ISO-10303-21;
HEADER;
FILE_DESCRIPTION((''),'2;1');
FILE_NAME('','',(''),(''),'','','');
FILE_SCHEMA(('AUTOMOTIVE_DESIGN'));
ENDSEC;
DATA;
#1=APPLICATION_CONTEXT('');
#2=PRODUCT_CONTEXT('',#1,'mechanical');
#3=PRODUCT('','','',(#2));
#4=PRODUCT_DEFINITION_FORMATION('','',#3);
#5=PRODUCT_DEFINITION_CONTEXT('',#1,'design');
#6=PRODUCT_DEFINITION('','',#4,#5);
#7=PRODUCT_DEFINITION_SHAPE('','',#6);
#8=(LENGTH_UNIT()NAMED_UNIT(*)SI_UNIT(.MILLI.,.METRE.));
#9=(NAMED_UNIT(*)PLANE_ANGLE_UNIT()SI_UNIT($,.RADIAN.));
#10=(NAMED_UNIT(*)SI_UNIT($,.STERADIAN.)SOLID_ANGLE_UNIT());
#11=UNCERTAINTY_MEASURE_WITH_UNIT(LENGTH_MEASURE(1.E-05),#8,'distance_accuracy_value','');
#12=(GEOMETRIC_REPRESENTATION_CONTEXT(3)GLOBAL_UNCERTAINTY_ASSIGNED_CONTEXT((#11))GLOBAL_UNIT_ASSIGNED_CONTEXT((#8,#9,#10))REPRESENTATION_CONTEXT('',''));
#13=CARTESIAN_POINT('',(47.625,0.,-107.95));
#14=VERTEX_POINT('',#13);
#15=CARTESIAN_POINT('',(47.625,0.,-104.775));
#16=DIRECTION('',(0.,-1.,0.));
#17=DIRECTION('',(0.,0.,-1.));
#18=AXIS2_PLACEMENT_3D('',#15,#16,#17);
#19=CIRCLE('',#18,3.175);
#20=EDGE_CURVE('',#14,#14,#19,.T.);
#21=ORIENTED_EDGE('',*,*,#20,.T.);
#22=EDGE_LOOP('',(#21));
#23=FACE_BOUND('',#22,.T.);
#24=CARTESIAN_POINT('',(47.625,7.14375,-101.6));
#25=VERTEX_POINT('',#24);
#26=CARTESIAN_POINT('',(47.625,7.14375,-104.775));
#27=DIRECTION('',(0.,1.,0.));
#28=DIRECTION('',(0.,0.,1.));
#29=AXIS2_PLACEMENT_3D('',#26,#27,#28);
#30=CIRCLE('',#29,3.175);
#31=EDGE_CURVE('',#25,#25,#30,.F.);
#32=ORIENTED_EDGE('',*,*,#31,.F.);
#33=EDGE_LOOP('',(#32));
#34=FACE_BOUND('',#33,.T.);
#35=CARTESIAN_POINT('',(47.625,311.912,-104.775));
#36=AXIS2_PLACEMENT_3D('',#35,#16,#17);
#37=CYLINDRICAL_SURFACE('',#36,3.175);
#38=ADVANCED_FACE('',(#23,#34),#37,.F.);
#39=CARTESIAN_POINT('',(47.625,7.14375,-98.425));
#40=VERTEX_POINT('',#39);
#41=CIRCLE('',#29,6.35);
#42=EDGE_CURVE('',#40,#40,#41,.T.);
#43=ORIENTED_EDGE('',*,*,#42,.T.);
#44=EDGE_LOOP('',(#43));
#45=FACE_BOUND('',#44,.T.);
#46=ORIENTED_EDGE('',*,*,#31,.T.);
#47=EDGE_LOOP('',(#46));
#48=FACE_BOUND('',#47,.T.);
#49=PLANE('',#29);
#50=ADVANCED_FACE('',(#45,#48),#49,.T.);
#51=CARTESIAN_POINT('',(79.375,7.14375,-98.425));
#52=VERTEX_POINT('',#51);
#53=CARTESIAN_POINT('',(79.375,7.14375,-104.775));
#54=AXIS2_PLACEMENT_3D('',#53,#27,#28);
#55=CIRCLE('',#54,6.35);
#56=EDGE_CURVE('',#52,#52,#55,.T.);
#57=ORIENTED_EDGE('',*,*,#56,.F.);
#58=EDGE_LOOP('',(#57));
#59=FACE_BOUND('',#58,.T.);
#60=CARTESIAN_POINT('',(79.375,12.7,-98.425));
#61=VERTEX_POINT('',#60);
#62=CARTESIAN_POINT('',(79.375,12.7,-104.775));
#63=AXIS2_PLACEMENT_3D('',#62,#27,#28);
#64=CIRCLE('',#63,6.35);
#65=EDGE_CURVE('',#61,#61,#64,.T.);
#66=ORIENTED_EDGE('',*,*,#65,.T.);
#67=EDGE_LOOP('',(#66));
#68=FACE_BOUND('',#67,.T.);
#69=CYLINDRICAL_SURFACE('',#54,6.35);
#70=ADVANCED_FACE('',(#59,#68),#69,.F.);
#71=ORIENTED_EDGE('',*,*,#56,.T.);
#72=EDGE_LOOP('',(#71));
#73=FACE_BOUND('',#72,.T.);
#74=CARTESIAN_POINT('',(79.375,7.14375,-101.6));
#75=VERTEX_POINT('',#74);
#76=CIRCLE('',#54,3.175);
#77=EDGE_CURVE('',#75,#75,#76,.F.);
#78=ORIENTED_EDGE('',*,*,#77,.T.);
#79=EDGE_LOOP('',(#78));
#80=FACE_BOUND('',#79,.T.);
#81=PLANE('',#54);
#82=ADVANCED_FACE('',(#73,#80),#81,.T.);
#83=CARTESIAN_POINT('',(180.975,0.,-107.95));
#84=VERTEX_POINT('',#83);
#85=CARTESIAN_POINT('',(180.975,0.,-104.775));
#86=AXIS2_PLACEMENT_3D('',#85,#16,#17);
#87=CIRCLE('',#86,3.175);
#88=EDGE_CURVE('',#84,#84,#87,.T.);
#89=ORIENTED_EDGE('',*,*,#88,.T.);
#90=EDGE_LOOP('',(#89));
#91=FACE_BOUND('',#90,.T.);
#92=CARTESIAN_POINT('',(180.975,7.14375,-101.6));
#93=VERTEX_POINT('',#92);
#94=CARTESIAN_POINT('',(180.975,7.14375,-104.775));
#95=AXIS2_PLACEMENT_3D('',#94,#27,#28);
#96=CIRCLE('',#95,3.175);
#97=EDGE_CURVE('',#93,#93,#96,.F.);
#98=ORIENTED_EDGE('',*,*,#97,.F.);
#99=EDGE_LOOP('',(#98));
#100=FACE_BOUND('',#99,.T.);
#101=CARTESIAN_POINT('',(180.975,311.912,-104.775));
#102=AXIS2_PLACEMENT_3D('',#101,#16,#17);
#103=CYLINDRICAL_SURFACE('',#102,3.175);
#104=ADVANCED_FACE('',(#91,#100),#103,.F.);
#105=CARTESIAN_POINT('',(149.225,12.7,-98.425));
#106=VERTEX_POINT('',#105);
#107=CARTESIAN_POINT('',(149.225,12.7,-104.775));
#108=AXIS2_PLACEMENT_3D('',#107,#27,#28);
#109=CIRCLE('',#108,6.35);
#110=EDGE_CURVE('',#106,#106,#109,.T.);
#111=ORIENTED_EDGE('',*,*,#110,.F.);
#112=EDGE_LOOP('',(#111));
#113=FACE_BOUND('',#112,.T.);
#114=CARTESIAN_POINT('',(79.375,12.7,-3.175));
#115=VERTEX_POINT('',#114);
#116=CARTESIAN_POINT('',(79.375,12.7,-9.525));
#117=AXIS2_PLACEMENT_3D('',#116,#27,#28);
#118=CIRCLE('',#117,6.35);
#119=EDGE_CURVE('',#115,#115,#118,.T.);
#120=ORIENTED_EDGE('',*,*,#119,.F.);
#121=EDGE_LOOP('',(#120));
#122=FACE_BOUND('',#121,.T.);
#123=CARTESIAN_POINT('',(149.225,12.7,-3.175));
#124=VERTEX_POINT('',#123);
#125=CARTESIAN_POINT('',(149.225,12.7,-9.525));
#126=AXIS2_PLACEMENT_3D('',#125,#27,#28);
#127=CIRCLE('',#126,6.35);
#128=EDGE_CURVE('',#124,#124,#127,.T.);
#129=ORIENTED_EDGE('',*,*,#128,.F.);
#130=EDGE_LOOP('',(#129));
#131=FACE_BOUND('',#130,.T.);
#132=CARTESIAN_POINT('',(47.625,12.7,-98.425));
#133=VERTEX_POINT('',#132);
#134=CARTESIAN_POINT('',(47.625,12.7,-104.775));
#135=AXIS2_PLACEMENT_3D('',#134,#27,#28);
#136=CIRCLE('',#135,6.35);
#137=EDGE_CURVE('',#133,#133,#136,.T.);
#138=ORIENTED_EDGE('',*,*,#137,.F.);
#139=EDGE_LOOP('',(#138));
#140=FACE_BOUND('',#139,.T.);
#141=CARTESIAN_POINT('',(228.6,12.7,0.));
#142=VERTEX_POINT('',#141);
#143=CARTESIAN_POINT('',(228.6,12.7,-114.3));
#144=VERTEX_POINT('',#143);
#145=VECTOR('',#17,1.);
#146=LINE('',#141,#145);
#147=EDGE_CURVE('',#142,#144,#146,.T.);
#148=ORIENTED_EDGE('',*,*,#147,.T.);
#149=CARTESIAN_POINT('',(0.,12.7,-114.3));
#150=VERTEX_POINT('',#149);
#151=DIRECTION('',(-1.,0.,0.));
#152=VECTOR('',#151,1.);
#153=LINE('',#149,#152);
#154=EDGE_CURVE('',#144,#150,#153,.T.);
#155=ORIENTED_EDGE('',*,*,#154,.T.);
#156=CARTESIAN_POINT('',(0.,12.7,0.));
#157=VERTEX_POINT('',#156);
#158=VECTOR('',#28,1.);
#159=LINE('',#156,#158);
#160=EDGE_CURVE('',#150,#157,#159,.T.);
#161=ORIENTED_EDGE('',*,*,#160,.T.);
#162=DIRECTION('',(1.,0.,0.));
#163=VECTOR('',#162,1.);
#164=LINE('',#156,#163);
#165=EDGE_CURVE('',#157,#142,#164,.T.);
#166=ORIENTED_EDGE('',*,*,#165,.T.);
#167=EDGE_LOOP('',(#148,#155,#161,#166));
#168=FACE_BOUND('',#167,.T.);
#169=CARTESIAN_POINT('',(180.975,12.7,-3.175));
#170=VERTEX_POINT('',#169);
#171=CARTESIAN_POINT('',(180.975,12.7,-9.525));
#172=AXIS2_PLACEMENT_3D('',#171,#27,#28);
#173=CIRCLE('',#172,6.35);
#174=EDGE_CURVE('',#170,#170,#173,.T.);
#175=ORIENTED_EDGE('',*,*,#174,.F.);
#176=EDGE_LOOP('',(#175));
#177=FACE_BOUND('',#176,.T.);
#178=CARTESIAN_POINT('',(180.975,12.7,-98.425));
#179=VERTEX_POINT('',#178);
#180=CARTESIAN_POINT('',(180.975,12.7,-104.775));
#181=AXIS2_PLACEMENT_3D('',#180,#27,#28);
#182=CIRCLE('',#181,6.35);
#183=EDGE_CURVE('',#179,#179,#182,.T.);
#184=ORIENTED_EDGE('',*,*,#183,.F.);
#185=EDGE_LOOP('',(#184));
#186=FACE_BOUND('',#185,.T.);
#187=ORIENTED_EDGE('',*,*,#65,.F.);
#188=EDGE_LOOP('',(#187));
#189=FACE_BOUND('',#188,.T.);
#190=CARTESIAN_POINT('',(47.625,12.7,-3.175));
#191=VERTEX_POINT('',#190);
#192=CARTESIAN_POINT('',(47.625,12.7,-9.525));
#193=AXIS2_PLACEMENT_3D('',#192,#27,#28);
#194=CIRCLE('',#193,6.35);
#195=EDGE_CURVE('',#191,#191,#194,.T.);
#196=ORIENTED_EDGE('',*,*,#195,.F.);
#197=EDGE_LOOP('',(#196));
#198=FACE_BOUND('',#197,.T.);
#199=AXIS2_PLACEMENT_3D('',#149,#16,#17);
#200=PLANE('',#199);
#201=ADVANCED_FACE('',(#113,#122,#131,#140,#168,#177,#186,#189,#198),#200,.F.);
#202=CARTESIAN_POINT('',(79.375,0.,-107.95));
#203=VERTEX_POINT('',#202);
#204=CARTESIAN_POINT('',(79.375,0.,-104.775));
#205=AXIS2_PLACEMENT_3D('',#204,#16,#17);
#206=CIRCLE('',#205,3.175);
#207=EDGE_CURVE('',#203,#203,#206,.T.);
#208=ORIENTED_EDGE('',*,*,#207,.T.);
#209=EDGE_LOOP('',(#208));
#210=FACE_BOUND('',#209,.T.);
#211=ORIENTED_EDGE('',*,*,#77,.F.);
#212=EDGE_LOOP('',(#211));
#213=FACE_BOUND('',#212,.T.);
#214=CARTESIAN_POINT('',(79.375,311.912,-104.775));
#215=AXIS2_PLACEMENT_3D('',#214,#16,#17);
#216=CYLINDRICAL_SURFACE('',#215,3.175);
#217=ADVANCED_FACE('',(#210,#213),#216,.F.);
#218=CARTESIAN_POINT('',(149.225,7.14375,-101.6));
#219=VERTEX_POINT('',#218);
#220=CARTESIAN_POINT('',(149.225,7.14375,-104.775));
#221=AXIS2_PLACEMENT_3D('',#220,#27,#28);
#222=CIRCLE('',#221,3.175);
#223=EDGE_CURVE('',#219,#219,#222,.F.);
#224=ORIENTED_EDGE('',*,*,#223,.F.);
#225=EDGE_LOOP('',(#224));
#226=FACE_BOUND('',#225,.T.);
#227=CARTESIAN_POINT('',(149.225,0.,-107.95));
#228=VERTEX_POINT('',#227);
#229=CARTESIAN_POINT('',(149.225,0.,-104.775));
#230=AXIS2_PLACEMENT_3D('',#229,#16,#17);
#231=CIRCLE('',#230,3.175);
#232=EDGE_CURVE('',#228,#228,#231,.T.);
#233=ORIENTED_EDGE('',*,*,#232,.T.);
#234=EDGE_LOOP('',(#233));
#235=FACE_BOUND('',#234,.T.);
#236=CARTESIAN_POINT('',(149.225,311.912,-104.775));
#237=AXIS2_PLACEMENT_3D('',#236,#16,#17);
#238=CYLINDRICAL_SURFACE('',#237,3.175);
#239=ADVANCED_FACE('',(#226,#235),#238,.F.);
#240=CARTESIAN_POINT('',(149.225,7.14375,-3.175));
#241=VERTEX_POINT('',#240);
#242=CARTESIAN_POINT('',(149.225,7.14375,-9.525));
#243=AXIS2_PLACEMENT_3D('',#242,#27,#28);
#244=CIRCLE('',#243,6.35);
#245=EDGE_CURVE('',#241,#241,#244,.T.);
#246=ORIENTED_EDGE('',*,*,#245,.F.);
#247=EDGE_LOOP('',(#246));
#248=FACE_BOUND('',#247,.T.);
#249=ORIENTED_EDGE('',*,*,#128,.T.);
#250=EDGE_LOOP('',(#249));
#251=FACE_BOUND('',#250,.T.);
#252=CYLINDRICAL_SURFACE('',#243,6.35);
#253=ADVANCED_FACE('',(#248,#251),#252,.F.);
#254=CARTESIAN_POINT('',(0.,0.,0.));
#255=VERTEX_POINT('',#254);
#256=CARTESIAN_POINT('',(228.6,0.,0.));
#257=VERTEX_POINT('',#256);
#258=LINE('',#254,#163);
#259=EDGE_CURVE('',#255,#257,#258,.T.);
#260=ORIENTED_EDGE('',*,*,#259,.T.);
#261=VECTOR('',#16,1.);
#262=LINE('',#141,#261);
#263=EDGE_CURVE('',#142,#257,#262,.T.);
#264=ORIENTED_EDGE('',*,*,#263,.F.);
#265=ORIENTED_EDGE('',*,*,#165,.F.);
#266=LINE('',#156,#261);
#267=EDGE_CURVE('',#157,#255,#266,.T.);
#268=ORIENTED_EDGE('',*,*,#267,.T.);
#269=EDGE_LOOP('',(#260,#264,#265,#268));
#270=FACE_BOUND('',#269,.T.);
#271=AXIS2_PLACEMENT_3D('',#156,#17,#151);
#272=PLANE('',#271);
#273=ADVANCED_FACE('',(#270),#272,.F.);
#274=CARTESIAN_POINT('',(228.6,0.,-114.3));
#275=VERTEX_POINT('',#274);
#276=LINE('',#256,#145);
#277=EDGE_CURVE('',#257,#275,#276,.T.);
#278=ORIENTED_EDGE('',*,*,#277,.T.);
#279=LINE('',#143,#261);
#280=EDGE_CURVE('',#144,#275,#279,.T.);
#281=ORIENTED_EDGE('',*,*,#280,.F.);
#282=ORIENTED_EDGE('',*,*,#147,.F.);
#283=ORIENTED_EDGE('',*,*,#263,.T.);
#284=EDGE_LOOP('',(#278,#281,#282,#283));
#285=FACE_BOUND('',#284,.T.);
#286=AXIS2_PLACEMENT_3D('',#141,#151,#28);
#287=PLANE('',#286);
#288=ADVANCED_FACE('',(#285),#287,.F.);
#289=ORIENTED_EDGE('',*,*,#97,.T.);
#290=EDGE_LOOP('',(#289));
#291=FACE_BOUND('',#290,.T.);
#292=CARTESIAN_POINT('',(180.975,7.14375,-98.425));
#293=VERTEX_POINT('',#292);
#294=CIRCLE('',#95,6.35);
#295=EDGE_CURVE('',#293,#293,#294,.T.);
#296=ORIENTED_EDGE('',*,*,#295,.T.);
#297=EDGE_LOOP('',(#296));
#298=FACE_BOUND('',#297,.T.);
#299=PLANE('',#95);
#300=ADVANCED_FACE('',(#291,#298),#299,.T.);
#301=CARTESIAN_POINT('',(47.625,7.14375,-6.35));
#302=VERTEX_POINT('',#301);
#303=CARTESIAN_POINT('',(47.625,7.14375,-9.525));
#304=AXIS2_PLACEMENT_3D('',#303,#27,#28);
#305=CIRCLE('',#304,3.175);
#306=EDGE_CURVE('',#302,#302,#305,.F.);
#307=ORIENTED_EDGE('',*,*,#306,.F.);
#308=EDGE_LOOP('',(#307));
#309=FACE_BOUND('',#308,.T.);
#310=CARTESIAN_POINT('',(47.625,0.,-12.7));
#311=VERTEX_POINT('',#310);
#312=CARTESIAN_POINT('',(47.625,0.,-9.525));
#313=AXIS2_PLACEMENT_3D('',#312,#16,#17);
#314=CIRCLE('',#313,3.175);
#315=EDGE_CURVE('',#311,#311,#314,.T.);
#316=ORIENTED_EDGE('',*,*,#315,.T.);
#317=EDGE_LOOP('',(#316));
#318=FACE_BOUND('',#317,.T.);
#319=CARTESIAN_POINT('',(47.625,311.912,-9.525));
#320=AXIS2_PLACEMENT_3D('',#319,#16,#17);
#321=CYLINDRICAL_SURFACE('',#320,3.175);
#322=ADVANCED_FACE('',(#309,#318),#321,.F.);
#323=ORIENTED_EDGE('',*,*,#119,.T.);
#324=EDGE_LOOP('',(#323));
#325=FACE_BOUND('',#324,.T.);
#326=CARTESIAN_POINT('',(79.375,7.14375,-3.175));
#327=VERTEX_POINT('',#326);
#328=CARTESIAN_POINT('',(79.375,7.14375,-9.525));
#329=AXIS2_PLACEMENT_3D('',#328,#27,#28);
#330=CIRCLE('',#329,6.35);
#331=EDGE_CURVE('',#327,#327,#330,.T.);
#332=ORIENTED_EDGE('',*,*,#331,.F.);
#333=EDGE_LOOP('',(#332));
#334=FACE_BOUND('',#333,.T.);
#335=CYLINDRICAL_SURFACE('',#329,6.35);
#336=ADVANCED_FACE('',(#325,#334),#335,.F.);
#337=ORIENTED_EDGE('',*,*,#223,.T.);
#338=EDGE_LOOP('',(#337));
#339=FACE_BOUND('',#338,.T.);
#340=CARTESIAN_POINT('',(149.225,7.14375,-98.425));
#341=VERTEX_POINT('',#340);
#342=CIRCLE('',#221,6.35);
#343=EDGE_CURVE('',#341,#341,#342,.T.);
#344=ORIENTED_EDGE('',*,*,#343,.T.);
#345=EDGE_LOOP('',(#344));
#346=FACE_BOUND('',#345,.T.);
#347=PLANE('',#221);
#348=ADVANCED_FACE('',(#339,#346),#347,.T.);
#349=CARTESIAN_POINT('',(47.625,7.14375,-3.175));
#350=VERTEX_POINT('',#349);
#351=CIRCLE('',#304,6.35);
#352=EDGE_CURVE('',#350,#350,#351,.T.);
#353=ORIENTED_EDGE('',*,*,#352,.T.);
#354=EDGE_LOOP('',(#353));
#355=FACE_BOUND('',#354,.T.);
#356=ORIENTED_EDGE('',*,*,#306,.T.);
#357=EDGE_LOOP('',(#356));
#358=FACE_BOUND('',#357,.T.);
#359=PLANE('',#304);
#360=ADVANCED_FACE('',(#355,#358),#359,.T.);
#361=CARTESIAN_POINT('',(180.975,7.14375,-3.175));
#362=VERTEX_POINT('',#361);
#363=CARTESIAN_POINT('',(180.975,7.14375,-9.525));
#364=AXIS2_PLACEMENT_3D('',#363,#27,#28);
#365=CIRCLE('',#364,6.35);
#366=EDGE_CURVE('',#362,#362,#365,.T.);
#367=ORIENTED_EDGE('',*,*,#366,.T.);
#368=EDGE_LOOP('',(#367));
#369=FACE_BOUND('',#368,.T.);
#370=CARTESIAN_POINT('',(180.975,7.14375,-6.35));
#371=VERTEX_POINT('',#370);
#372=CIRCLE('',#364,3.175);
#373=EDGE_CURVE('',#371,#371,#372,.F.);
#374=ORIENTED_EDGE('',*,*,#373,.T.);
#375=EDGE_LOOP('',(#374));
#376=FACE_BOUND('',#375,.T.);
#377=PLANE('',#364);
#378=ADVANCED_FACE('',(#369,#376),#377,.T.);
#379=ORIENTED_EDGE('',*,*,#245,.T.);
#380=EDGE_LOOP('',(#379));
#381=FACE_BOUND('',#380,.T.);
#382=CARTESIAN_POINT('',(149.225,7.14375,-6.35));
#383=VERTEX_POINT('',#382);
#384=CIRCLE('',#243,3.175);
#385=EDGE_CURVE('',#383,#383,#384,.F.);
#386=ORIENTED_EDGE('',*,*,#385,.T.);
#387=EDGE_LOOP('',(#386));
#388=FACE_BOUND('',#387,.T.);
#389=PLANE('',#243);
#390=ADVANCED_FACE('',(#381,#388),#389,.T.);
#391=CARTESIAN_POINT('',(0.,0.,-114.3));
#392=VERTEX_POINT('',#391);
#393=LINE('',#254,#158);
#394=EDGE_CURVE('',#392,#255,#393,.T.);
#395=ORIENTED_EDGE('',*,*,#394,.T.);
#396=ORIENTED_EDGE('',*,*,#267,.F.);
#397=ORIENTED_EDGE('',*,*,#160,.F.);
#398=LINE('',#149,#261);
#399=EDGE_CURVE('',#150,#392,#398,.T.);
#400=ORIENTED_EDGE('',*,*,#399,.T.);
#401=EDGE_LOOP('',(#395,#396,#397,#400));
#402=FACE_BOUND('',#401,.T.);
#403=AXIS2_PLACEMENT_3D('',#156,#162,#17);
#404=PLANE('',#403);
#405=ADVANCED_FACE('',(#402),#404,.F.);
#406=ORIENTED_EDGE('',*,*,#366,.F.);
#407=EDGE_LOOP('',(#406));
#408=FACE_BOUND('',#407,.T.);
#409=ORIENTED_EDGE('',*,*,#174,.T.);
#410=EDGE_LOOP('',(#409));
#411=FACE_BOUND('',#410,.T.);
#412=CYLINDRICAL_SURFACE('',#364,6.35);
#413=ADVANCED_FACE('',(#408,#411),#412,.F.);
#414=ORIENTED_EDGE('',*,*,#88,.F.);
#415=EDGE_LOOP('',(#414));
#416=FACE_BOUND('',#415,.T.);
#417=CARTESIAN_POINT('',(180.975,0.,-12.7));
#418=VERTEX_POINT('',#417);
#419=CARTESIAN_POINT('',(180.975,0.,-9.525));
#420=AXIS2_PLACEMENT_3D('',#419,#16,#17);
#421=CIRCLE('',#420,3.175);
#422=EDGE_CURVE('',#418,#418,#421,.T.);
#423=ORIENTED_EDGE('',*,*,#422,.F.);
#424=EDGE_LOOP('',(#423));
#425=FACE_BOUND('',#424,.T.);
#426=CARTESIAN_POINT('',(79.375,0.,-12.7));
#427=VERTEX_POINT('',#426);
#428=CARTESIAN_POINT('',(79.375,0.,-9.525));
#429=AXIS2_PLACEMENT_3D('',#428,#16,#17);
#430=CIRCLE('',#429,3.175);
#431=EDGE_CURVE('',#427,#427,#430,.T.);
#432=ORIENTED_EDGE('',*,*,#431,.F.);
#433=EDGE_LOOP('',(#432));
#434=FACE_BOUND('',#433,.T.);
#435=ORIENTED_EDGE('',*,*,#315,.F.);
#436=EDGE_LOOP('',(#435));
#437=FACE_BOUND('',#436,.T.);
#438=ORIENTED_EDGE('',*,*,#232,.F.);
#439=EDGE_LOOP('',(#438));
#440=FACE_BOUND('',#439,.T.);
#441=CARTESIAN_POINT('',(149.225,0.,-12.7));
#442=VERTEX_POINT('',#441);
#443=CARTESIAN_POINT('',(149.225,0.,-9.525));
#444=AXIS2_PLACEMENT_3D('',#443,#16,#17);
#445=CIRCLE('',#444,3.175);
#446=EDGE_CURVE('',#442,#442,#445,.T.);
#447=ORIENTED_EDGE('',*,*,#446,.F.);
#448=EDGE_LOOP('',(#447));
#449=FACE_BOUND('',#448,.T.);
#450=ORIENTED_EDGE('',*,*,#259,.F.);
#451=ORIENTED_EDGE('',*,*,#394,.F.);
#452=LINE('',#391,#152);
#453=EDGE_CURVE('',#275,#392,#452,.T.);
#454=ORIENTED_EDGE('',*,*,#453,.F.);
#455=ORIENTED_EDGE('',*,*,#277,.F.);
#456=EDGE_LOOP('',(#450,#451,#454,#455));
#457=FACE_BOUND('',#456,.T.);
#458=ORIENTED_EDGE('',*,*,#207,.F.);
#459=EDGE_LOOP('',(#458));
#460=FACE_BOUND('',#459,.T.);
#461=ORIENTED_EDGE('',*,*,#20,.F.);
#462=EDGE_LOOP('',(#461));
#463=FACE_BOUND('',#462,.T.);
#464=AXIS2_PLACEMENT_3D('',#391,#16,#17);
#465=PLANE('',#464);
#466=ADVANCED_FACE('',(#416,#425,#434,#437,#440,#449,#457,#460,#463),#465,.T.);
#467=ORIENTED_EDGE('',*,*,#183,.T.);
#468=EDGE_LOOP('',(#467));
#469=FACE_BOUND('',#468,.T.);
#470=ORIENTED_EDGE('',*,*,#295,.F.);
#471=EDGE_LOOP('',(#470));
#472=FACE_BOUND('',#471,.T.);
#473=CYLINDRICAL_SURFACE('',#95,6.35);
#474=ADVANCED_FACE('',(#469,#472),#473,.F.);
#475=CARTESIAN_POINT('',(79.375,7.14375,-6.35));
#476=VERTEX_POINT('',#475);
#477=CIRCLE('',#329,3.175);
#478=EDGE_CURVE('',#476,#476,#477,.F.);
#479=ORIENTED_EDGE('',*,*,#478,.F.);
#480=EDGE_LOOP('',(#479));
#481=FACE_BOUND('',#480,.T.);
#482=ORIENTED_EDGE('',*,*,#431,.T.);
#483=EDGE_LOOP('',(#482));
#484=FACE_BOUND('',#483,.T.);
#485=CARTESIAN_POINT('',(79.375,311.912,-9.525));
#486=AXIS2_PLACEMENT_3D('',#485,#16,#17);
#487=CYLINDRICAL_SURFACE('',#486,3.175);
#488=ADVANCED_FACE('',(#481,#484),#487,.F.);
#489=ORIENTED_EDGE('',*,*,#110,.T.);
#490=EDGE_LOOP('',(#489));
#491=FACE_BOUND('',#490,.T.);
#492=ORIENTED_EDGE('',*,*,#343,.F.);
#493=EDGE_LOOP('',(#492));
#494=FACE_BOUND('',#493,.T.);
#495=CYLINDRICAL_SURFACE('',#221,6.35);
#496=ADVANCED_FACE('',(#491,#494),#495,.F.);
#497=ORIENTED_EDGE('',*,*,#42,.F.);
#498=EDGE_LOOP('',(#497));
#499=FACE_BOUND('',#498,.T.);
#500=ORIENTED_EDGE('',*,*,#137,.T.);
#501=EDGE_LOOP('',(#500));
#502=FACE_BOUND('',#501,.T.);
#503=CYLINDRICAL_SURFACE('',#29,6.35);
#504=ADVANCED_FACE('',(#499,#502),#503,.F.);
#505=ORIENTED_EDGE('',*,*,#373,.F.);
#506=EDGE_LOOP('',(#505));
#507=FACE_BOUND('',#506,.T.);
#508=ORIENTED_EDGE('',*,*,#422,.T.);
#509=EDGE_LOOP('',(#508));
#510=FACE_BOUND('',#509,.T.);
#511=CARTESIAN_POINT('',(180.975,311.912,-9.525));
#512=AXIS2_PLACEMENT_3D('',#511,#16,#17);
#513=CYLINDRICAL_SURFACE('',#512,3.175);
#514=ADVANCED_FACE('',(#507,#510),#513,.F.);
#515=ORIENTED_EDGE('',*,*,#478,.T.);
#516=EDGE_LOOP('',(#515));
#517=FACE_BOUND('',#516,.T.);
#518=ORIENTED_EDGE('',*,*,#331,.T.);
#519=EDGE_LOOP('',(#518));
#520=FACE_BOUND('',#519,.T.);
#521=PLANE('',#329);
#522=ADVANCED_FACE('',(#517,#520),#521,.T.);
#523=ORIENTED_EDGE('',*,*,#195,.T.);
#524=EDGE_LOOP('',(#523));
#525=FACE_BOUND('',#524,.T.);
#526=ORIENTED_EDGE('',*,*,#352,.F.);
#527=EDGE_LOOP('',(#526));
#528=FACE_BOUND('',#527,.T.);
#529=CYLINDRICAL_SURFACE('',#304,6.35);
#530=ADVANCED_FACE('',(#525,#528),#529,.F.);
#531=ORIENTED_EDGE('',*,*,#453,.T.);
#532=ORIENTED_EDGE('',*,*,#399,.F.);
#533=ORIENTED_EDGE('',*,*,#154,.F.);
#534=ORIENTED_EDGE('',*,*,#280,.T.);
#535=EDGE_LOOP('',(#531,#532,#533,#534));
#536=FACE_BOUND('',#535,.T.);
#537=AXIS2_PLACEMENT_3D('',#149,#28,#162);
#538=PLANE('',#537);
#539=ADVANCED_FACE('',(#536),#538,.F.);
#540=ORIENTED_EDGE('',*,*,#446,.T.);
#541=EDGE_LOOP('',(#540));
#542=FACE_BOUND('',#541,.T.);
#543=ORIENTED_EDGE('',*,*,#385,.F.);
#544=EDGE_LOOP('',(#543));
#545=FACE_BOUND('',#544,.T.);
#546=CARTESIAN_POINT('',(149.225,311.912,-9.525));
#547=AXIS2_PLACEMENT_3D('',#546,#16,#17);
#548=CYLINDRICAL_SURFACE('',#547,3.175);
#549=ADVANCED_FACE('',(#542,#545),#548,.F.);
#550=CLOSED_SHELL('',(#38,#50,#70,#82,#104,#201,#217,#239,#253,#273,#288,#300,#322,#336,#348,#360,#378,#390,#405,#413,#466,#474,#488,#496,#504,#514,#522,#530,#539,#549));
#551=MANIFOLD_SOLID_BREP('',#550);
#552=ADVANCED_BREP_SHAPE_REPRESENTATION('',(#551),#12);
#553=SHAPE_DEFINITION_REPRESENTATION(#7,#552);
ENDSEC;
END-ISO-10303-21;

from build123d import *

# Parameters (mm, degrees)
SKETCH1_W           = 228.6
SKETCH1_H           = 114.3
BOSS_EXTRUDE1_DEPTH = 12.7
SKETCH2_R           = 3.175
CUT_EXTRUDE1_DEPTH  = 311.912
SKETCH3_R           = 6.35
CUT_EXTRUDE2_DEPTH  = 5.55625


with BuildPart() as part:
    # Sketch1 → Boss-Extrude1 (new body)
    with BuildSketch(Plane(origin=(0, 0, 0), x_dir=(1, 0, 0), z_dir=(0, 1, 0))):
        with Locations((114.3, 57.15)):
            Rectangle(SKETCH1_W, SKETCH1_H)
    extrude(amount=BOSS_EXTRUDE1_DEPTH)

    # Sketch2 → Cut-Extrude1 (cut)
    with BuildSketch(Plane.XZ):
        with Locations((47.625, -9.525)):
            Circle(SKETCH2_R)
        with Locations((79.375, -9.525)):
            Circle(SKETCH2_R)
        with Locations((149.225, -9.525)):
            Circle(SKETCH2_R)
        with Locations((180.975, -9.525)):
            Circle(SKETCH2_R)
        with Locations((47.625, -104.775)):
            Circle(SKETCH2_R)
        with Locations((79.375, -104.775)):
            Circle(SKETCH2_R)
        with Locations((149.225, -104.775)):
            Circle(SKETCH2_R)
        with Locations((180.975, -104.775)):
            Circle(SKETCH2_R)
    extrude(amount=-CUT_EXTRUDE1_DEPTH, mode=Mode.SUBTRACT)

    # Sketch3 → Cut-Extrude2 (cut)
    with BuildSketch(Plane(origin=(0, 12.7, 0), x_dir=(1, 0, 0), z_dir=(0, 1, 0))):
        with Locations((47.625, 104.775)):
            Circle(SKETCH3_R)
        with Locations((79.375, 104.775)):
            Circle(SKETCH3_R)
        with Locations((149.225, 104.775)):
            Circle(SKETCH3_R)
        with Locations((180.975, 104.775)):
            Circle(SKETCH3_R)
        with Locations((47.625, 9.525)):
            Circle(SKETCH3_R)
        with Locations((79.375, 9.525)):
            Circle(SKETCH3_R)
        with Locations((149.225, 9.525)):
            Circle(SKETCH3_R)
        with Locations((180.975, 9.525)):
            Circle(SKETCH3_R)
    extrude(amount=-CUT_EXTRUDE2_DEPTH, mode=Mode.SUBTRACT)


solid = part.part
